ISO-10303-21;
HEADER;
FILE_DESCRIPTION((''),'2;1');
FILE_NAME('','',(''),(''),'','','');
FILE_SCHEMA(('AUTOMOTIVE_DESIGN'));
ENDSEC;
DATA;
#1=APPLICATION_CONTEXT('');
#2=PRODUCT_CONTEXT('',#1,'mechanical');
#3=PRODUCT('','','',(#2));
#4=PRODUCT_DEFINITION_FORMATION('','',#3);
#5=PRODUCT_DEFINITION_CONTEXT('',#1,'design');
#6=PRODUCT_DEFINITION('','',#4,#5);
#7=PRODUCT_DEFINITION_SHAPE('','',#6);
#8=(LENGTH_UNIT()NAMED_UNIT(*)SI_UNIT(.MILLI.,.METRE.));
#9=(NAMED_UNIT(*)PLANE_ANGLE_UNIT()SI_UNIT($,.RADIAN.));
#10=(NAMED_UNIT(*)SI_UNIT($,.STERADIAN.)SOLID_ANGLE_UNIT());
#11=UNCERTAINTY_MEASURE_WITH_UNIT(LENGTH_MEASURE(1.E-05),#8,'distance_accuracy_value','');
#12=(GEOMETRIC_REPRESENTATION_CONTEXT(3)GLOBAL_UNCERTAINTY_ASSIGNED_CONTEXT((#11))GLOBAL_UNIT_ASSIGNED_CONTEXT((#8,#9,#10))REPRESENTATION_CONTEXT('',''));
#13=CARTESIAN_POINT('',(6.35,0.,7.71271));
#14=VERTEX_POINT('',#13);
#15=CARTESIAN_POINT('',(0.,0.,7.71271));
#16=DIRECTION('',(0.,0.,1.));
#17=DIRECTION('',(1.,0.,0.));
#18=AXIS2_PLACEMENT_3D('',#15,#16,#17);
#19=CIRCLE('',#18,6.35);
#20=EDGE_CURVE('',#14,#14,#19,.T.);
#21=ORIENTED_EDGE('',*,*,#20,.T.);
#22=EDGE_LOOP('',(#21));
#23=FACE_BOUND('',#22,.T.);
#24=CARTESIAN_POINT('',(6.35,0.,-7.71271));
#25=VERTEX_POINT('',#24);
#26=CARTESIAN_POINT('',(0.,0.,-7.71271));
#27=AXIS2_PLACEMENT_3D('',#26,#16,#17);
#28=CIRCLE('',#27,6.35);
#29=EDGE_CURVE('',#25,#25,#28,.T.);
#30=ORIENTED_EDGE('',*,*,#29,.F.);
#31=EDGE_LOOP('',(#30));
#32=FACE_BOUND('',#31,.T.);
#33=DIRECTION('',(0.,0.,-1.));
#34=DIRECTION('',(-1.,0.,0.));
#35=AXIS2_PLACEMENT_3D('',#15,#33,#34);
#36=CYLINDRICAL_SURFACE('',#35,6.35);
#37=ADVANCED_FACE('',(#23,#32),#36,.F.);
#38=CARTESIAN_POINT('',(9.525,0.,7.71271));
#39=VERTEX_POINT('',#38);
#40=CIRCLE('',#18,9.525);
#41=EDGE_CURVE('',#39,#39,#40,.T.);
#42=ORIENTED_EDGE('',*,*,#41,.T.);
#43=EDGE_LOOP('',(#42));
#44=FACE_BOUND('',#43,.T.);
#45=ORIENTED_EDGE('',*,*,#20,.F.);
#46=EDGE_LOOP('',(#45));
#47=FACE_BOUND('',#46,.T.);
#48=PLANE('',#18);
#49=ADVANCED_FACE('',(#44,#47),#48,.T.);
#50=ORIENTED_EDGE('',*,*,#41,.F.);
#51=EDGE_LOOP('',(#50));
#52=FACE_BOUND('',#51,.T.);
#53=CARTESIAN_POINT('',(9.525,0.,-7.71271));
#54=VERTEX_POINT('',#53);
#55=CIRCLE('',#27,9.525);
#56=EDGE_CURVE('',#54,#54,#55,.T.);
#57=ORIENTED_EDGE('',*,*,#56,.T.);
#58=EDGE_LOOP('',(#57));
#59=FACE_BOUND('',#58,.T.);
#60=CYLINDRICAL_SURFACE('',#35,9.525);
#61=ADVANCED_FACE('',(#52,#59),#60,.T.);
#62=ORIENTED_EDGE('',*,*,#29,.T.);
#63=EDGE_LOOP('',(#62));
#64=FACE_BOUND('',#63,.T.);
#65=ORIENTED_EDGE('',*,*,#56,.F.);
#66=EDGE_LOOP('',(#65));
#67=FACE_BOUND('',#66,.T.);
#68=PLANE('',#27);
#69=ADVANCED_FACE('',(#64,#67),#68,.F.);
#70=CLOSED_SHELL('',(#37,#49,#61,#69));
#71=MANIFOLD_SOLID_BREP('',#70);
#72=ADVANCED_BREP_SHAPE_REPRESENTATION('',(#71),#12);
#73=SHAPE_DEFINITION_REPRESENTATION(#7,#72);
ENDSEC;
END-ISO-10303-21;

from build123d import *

# Parameters (mm, degrees)
SKETCH1_R           = 9.525
SKETCH1_R_2         = 6.35
BOSS_EXTRUDE1_DEPTH = 7.71271


with BuildPart() as part:
    # Sketch1 → Boss-Extrude1 (new, symmetric)
    with BuildSketch(Plane.XY):
        Circle(SKETCH1_R)
        Circle(SKETCH1_R_2, mode=Mode.SUBTRACT)
    extrude(amount=BOSS_EXTRUDE1_DEPTH, both=True)


solid = part.part
